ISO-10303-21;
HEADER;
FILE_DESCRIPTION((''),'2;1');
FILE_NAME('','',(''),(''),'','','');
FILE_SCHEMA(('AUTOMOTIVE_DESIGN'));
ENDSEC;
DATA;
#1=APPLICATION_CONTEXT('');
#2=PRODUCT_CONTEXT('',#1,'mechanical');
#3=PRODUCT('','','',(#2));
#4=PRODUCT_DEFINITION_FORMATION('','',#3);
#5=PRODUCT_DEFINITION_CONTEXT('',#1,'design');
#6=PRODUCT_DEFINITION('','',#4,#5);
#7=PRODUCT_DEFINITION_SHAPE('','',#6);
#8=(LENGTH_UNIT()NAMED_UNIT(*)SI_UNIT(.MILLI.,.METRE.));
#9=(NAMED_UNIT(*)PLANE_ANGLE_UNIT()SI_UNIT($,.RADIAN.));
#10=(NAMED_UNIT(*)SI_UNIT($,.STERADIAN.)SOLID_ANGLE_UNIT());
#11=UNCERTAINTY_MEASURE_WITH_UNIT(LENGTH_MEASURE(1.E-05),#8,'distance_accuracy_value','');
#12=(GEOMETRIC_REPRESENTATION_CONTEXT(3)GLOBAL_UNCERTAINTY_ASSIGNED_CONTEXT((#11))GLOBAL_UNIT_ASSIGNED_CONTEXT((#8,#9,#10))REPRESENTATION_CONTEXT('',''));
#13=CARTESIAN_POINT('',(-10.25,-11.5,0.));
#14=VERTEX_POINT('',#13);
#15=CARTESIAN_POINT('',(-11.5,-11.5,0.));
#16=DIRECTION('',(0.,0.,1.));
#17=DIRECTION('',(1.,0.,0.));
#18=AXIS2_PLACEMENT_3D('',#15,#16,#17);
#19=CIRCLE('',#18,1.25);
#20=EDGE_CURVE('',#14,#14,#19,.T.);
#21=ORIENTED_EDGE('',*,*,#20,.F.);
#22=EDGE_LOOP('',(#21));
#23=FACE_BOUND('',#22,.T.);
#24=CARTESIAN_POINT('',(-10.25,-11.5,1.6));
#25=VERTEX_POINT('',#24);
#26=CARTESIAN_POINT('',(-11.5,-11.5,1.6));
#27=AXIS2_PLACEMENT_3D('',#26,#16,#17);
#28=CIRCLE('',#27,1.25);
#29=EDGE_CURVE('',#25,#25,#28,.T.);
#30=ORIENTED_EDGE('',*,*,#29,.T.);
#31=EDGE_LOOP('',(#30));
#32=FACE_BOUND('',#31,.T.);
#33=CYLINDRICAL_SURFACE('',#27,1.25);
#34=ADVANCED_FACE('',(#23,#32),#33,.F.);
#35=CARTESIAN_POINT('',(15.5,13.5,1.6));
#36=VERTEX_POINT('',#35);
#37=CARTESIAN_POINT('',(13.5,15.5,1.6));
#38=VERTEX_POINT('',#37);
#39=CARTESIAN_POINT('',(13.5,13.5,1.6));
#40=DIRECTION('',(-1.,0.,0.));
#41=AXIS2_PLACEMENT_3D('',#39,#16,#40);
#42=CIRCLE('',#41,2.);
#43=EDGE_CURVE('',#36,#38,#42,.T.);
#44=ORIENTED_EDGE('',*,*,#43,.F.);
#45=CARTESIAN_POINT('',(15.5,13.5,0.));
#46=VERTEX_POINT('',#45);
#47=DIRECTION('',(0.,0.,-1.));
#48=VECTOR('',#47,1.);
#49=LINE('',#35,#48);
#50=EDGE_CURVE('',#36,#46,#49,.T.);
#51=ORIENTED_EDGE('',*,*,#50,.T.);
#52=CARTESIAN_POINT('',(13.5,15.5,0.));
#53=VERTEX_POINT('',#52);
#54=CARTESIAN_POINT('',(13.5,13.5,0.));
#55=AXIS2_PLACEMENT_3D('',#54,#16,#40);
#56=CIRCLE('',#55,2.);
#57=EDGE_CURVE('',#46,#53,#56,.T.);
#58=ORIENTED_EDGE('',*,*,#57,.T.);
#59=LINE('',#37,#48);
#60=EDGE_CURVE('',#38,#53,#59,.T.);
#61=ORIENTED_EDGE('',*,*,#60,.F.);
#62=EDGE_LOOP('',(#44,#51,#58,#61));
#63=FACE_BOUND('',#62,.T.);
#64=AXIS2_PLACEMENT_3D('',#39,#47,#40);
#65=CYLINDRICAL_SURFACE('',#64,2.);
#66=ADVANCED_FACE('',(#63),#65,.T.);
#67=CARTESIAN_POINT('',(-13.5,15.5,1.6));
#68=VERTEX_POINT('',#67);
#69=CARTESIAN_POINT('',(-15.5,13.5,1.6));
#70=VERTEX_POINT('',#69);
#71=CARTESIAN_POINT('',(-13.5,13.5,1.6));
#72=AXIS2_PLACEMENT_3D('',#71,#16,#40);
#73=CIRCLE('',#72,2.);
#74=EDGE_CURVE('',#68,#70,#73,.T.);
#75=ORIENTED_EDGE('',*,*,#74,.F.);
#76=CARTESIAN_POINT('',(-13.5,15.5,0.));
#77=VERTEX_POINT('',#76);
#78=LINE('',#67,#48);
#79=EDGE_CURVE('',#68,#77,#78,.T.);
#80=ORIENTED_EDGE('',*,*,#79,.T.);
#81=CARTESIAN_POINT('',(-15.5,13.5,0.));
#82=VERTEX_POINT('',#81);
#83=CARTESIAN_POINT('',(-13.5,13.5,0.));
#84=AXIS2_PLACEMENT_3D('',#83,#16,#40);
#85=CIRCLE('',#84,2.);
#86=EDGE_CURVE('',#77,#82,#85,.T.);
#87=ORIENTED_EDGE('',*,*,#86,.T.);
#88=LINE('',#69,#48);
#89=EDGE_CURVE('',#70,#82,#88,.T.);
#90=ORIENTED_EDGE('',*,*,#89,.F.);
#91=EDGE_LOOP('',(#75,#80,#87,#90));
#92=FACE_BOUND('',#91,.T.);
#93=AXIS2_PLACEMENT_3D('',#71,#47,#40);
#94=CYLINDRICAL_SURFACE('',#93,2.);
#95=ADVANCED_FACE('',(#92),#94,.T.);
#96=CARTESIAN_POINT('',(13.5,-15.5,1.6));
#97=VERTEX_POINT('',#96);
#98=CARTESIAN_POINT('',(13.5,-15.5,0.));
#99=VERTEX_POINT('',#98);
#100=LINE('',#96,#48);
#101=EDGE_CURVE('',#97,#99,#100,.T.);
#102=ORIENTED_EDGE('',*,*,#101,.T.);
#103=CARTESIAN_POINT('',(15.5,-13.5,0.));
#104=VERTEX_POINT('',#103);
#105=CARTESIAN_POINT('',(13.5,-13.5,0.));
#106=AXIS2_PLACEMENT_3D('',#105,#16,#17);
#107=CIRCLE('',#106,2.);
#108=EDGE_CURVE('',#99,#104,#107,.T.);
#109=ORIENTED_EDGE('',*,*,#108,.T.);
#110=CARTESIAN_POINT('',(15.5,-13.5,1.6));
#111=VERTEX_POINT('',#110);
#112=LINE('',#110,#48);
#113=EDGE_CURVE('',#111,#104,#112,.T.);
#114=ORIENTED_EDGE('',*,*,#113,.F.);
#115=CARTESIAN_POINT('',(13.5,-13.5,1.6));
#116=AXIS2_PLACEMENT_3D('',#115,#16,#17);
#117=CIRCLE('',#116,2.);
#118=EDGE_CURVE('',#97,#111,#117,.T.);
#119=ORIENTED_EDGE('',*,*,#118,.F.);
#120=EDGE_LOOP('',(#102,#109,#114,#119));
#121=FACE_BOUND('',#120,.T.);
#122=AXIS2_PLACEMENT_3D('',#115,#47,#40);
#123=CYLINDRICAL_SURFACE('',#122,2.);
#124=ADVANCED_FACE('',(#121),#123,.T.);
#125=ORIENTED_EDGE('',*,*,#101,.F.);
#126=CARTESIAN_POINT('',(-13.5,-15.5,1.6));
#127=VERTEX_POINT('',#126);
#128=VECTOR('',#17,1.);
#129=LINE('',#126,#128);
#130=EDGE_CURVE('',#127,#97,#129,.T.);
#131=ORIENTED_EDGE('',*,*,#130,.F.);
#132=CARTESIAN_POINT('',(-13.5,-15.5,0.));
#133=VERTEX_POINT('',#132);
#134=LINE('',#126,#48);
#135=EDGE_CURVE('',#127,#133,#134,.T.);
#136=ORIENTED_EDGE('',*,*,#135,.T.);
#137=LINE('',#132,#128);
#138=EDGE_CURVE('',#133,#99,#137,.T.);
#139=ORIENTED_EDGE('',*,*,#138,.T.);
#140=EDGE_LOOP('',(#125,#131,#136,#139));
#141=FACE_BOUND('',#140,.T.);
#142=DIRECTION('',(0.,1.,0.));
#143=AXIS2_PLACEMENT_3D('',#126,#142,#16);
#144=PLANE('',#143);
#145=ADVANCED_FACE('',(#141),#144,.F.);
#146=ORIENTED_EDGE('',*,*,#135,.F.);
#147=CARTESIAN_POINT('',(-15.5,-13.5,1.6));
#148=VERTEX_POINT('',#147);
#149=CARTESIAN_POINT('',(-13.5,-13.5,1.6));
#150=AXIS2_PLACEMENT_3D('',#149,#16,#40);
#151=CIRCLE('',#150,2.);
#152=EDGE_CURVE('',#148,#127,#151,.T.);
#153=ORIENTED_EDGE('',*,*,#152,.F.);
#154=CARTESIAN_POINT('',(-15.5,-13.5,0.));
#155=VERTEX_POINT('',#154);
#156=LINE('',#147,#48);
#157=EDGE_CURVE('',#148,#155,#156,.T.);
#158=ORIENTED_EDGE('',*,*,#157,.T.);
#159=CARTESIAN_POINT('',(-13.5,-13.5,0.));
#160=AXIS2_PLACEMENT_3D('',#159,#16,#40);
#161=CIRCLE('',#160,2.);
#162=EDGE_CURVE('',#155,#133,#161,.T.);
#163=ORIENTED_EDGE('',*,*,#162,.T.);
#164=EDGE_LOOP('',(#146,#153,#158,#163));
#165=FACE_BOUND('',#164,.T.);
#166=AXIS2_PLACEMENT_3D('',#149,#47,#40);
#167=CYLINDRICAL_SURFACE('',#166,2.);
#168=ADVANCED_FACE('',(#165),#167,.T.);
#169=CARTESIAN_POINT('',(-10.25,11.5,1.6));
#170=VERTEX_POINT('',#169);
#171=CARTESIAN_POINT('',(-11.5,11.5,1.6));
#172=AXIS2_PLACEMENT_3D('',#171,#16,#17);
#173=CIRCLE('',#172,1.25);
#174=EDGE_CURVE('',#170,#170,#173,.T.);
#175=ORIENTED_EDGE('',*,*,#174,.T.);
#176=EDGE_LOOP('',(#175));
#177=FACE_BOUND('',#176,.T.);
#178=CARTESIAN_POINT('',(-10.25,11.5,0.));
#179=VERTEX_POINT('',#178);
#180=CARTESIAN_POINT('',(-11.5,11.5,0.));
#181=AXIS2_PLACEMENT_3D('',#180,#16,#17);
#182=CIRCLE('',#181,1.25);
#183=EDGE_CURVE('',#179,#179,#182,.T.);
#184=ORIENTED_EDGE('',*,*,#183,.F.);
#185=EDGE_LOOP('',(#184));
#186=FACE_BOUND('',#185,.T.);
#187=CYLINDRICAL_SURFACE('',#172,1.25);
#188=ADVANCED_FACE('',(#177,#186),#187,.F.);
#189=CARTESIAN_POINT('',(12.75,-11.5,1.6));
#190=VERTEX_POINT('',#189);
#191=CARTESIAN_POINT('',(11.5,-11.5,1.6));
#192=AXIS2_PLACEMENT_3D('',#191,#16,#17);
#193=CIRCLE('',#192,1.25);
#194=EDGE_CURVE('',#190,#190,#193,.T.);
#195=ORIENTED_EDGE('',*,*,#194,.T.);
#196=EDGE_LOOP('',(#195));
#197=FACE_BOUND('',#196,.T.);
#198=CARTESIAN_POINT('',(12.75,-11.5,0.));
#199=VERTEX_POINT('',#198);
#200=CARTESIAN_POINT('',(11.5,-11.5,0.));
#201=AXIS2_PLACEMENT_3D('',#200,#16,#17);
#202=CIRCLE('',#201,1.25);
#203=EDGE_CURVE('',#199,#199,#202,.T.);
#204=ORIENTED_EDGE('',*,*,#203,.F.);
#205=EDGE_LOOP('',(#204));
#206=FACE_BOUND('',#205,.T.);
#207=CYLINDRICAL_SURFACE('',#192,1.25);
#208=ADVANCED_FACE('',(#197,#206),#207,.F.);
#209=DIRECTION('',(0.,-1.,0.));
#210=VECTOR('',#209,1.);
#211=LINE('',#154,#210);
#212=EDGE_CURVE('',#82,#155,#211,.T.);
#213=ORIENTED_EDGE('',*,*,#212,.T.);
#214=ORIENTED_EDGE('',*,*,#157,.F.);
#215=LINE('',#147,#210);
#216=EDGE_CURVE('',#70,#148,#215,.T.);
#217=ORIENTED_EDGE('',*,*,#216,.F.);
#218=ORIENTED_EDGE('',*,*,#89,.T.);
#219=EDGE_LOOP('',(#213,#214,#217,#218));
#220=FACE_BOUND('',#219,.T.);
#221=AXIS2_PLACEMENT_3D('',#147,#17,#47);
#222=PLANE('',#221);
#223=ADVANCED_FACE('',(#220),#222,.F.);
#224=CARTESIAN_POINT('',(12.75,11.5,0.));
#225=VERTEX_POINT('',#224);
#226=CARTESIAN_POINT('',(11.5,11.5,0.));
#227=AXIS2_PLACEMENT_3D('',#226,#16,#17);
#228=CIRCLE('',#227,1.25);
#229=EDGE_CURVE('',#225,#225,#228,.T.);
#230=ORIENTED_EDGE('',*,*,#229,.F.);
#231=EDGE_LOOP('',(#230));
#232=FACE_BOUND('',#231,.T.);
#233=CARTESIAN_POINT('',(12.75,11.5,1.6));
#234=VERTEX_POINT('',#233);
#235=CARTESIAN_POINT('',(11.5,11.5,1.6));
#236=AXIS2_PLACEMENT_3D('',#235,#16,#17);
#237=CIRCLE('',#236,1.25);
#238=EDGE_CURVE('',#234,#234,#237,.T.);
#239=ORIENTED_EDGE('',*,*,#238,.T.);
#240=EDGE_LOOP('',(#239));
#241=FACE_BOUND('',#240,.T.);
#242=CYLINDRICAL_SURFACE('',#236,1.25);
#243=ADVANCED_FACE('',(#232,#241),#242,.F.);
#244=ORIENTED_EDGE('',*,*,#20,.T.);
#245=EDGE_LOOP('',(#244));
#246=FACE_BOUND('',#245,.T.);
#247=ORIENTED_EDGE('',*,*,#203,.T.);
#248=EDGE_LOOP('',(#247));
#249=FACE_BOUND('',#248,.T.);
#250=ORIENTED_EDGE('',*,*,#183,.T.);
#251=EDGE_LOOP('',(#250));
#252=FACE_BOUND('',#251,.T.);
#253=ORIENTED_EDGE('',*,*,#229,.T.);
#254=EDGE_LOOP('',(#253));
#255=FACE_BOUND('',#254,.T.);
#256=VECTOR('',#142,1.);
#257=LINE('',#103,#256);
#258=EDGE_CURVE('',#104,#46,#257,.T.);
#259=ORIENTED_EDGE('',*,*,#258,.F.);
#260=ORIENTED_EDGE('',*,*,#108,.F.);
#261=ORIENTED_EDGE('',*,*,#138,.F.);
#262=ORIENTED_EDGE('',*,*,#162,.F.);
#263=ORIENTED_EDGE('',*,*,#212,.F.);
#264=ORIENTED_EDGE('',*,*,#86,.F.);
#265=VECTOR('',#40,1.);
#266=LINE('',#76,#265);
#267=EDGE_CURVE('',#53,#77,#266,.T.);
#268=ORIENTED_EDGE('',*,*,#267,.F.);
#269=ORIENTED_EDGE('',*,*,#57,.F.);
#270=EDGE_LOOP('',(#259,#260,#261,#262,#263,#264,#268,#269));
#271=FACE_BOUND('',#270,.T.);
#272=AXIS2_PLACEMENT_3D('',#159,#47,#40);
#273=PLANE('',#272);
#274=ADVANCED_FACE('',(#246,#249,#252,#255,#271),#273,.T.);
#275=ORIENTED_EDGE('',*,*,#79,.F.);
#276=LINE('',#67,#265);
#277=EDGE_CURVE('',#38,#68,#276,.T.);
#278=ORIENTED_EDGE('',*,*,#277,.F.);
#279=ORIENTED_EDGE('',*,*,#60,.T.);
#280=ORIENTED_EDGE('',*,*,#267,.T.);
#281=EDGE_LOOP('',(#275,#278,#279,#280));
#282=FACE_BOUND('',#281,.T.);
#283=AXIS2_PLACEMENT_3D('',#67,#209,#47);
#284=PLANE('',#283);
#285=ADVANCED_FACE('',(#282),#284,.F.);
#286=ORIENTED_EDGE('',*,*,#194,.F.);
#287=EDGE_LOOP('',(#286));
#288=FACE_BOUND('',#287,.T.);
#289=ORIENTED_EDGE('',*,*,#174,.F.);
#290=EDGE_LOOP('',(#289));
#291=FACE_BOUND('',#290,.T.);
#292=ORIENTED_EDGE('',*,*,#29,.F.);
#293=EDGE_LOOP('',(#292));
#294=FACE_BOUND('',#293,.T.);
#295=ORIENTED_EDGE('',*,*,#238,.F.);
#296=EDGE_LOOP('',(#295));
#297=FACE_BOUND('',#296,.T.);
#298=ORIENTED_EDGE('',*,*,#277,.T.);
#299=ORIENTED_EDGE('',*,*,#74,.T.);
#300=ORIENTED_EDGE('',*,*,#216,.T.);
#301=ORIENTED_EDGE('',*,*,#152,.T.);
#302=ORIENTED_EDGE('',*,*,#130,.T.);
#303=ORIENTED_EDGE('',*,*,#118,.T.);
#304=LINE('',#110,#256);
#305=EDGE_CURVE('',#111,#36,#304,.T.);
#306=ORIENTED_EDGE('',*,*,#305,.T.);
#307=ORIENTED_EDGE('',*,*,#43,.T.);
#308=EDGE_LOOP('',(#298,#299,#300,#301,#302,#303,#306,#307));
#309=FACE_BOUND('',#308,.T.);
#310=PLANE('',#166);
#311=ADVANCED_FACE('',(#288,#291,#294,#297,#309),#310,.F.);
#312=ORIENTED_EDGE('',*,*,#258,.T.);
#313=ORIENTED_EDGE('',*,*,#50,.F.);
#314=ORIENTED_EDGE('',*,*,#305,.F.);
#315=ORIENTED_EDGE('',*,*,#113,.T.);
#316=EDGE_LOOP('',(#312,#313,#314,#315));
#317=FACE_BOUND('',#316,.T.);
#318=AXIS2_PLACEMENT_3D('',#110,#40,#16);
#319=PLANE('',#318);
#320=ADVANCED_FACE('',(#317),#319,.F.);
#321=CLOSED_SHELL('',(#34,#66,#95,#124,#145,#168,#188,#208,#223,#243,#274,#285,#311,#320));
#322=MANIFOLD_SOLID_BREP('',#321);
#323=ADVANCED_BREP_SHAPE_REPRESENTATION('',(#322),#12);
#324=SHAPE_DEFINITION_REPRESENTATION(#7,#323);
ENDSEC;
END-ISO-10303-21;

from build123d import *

# Parameters (mm, degrees)
BOSS_EXTRUDE1_DEPTH   = 1.6
F_2_5MM_DOWEL_HOLE1_D = 2.5


with BuildPart() as part:
    # Sketch1 → Boss-Extrude1 (new body)
    with BuildSketch(Plane.XY):
        with BuildLine():
            Line((-13.5, -15.5), (13.5, -15.5))
            ThreePointArc((13.5, -15.5), (14.914213562, -14.914213562), (15.5, -13.5))
            Line((15.5, -13.5), (15.5, 13.5))
            ThreePointArc((15.5, 13.5), (14.914213562, 14.914213562), (13.5, 15.5))
            Line((13.5, 15.5), (-13.5, 15.5))
            ThreePointArc((-13.5, 15.5), (-14.914213562, 14.914213562), (-15.5, 13.5))
            Line((-15.5, 13.5), (-15.5, -13.5))
            ThreePointArc((-15.5, -13.5), (-14.914213562, -14.914213562), (-13.5, -15.5))
        make_face()
    extrude(amount=BOSS_EXTRUDE1_DEPTH)

    # Ø2.5mm Dowel Hole1 (through all)
    with Locations(Plane.XY.offset(1.6)):
        with Locations((-11.5, 11.5), (11.5, 11.5), (11.5, -11.5), (-11.5, -11.5)):
            Hole(F_2_5MM_DOWEL_HOLE1_D / 2)


solid = part.part
